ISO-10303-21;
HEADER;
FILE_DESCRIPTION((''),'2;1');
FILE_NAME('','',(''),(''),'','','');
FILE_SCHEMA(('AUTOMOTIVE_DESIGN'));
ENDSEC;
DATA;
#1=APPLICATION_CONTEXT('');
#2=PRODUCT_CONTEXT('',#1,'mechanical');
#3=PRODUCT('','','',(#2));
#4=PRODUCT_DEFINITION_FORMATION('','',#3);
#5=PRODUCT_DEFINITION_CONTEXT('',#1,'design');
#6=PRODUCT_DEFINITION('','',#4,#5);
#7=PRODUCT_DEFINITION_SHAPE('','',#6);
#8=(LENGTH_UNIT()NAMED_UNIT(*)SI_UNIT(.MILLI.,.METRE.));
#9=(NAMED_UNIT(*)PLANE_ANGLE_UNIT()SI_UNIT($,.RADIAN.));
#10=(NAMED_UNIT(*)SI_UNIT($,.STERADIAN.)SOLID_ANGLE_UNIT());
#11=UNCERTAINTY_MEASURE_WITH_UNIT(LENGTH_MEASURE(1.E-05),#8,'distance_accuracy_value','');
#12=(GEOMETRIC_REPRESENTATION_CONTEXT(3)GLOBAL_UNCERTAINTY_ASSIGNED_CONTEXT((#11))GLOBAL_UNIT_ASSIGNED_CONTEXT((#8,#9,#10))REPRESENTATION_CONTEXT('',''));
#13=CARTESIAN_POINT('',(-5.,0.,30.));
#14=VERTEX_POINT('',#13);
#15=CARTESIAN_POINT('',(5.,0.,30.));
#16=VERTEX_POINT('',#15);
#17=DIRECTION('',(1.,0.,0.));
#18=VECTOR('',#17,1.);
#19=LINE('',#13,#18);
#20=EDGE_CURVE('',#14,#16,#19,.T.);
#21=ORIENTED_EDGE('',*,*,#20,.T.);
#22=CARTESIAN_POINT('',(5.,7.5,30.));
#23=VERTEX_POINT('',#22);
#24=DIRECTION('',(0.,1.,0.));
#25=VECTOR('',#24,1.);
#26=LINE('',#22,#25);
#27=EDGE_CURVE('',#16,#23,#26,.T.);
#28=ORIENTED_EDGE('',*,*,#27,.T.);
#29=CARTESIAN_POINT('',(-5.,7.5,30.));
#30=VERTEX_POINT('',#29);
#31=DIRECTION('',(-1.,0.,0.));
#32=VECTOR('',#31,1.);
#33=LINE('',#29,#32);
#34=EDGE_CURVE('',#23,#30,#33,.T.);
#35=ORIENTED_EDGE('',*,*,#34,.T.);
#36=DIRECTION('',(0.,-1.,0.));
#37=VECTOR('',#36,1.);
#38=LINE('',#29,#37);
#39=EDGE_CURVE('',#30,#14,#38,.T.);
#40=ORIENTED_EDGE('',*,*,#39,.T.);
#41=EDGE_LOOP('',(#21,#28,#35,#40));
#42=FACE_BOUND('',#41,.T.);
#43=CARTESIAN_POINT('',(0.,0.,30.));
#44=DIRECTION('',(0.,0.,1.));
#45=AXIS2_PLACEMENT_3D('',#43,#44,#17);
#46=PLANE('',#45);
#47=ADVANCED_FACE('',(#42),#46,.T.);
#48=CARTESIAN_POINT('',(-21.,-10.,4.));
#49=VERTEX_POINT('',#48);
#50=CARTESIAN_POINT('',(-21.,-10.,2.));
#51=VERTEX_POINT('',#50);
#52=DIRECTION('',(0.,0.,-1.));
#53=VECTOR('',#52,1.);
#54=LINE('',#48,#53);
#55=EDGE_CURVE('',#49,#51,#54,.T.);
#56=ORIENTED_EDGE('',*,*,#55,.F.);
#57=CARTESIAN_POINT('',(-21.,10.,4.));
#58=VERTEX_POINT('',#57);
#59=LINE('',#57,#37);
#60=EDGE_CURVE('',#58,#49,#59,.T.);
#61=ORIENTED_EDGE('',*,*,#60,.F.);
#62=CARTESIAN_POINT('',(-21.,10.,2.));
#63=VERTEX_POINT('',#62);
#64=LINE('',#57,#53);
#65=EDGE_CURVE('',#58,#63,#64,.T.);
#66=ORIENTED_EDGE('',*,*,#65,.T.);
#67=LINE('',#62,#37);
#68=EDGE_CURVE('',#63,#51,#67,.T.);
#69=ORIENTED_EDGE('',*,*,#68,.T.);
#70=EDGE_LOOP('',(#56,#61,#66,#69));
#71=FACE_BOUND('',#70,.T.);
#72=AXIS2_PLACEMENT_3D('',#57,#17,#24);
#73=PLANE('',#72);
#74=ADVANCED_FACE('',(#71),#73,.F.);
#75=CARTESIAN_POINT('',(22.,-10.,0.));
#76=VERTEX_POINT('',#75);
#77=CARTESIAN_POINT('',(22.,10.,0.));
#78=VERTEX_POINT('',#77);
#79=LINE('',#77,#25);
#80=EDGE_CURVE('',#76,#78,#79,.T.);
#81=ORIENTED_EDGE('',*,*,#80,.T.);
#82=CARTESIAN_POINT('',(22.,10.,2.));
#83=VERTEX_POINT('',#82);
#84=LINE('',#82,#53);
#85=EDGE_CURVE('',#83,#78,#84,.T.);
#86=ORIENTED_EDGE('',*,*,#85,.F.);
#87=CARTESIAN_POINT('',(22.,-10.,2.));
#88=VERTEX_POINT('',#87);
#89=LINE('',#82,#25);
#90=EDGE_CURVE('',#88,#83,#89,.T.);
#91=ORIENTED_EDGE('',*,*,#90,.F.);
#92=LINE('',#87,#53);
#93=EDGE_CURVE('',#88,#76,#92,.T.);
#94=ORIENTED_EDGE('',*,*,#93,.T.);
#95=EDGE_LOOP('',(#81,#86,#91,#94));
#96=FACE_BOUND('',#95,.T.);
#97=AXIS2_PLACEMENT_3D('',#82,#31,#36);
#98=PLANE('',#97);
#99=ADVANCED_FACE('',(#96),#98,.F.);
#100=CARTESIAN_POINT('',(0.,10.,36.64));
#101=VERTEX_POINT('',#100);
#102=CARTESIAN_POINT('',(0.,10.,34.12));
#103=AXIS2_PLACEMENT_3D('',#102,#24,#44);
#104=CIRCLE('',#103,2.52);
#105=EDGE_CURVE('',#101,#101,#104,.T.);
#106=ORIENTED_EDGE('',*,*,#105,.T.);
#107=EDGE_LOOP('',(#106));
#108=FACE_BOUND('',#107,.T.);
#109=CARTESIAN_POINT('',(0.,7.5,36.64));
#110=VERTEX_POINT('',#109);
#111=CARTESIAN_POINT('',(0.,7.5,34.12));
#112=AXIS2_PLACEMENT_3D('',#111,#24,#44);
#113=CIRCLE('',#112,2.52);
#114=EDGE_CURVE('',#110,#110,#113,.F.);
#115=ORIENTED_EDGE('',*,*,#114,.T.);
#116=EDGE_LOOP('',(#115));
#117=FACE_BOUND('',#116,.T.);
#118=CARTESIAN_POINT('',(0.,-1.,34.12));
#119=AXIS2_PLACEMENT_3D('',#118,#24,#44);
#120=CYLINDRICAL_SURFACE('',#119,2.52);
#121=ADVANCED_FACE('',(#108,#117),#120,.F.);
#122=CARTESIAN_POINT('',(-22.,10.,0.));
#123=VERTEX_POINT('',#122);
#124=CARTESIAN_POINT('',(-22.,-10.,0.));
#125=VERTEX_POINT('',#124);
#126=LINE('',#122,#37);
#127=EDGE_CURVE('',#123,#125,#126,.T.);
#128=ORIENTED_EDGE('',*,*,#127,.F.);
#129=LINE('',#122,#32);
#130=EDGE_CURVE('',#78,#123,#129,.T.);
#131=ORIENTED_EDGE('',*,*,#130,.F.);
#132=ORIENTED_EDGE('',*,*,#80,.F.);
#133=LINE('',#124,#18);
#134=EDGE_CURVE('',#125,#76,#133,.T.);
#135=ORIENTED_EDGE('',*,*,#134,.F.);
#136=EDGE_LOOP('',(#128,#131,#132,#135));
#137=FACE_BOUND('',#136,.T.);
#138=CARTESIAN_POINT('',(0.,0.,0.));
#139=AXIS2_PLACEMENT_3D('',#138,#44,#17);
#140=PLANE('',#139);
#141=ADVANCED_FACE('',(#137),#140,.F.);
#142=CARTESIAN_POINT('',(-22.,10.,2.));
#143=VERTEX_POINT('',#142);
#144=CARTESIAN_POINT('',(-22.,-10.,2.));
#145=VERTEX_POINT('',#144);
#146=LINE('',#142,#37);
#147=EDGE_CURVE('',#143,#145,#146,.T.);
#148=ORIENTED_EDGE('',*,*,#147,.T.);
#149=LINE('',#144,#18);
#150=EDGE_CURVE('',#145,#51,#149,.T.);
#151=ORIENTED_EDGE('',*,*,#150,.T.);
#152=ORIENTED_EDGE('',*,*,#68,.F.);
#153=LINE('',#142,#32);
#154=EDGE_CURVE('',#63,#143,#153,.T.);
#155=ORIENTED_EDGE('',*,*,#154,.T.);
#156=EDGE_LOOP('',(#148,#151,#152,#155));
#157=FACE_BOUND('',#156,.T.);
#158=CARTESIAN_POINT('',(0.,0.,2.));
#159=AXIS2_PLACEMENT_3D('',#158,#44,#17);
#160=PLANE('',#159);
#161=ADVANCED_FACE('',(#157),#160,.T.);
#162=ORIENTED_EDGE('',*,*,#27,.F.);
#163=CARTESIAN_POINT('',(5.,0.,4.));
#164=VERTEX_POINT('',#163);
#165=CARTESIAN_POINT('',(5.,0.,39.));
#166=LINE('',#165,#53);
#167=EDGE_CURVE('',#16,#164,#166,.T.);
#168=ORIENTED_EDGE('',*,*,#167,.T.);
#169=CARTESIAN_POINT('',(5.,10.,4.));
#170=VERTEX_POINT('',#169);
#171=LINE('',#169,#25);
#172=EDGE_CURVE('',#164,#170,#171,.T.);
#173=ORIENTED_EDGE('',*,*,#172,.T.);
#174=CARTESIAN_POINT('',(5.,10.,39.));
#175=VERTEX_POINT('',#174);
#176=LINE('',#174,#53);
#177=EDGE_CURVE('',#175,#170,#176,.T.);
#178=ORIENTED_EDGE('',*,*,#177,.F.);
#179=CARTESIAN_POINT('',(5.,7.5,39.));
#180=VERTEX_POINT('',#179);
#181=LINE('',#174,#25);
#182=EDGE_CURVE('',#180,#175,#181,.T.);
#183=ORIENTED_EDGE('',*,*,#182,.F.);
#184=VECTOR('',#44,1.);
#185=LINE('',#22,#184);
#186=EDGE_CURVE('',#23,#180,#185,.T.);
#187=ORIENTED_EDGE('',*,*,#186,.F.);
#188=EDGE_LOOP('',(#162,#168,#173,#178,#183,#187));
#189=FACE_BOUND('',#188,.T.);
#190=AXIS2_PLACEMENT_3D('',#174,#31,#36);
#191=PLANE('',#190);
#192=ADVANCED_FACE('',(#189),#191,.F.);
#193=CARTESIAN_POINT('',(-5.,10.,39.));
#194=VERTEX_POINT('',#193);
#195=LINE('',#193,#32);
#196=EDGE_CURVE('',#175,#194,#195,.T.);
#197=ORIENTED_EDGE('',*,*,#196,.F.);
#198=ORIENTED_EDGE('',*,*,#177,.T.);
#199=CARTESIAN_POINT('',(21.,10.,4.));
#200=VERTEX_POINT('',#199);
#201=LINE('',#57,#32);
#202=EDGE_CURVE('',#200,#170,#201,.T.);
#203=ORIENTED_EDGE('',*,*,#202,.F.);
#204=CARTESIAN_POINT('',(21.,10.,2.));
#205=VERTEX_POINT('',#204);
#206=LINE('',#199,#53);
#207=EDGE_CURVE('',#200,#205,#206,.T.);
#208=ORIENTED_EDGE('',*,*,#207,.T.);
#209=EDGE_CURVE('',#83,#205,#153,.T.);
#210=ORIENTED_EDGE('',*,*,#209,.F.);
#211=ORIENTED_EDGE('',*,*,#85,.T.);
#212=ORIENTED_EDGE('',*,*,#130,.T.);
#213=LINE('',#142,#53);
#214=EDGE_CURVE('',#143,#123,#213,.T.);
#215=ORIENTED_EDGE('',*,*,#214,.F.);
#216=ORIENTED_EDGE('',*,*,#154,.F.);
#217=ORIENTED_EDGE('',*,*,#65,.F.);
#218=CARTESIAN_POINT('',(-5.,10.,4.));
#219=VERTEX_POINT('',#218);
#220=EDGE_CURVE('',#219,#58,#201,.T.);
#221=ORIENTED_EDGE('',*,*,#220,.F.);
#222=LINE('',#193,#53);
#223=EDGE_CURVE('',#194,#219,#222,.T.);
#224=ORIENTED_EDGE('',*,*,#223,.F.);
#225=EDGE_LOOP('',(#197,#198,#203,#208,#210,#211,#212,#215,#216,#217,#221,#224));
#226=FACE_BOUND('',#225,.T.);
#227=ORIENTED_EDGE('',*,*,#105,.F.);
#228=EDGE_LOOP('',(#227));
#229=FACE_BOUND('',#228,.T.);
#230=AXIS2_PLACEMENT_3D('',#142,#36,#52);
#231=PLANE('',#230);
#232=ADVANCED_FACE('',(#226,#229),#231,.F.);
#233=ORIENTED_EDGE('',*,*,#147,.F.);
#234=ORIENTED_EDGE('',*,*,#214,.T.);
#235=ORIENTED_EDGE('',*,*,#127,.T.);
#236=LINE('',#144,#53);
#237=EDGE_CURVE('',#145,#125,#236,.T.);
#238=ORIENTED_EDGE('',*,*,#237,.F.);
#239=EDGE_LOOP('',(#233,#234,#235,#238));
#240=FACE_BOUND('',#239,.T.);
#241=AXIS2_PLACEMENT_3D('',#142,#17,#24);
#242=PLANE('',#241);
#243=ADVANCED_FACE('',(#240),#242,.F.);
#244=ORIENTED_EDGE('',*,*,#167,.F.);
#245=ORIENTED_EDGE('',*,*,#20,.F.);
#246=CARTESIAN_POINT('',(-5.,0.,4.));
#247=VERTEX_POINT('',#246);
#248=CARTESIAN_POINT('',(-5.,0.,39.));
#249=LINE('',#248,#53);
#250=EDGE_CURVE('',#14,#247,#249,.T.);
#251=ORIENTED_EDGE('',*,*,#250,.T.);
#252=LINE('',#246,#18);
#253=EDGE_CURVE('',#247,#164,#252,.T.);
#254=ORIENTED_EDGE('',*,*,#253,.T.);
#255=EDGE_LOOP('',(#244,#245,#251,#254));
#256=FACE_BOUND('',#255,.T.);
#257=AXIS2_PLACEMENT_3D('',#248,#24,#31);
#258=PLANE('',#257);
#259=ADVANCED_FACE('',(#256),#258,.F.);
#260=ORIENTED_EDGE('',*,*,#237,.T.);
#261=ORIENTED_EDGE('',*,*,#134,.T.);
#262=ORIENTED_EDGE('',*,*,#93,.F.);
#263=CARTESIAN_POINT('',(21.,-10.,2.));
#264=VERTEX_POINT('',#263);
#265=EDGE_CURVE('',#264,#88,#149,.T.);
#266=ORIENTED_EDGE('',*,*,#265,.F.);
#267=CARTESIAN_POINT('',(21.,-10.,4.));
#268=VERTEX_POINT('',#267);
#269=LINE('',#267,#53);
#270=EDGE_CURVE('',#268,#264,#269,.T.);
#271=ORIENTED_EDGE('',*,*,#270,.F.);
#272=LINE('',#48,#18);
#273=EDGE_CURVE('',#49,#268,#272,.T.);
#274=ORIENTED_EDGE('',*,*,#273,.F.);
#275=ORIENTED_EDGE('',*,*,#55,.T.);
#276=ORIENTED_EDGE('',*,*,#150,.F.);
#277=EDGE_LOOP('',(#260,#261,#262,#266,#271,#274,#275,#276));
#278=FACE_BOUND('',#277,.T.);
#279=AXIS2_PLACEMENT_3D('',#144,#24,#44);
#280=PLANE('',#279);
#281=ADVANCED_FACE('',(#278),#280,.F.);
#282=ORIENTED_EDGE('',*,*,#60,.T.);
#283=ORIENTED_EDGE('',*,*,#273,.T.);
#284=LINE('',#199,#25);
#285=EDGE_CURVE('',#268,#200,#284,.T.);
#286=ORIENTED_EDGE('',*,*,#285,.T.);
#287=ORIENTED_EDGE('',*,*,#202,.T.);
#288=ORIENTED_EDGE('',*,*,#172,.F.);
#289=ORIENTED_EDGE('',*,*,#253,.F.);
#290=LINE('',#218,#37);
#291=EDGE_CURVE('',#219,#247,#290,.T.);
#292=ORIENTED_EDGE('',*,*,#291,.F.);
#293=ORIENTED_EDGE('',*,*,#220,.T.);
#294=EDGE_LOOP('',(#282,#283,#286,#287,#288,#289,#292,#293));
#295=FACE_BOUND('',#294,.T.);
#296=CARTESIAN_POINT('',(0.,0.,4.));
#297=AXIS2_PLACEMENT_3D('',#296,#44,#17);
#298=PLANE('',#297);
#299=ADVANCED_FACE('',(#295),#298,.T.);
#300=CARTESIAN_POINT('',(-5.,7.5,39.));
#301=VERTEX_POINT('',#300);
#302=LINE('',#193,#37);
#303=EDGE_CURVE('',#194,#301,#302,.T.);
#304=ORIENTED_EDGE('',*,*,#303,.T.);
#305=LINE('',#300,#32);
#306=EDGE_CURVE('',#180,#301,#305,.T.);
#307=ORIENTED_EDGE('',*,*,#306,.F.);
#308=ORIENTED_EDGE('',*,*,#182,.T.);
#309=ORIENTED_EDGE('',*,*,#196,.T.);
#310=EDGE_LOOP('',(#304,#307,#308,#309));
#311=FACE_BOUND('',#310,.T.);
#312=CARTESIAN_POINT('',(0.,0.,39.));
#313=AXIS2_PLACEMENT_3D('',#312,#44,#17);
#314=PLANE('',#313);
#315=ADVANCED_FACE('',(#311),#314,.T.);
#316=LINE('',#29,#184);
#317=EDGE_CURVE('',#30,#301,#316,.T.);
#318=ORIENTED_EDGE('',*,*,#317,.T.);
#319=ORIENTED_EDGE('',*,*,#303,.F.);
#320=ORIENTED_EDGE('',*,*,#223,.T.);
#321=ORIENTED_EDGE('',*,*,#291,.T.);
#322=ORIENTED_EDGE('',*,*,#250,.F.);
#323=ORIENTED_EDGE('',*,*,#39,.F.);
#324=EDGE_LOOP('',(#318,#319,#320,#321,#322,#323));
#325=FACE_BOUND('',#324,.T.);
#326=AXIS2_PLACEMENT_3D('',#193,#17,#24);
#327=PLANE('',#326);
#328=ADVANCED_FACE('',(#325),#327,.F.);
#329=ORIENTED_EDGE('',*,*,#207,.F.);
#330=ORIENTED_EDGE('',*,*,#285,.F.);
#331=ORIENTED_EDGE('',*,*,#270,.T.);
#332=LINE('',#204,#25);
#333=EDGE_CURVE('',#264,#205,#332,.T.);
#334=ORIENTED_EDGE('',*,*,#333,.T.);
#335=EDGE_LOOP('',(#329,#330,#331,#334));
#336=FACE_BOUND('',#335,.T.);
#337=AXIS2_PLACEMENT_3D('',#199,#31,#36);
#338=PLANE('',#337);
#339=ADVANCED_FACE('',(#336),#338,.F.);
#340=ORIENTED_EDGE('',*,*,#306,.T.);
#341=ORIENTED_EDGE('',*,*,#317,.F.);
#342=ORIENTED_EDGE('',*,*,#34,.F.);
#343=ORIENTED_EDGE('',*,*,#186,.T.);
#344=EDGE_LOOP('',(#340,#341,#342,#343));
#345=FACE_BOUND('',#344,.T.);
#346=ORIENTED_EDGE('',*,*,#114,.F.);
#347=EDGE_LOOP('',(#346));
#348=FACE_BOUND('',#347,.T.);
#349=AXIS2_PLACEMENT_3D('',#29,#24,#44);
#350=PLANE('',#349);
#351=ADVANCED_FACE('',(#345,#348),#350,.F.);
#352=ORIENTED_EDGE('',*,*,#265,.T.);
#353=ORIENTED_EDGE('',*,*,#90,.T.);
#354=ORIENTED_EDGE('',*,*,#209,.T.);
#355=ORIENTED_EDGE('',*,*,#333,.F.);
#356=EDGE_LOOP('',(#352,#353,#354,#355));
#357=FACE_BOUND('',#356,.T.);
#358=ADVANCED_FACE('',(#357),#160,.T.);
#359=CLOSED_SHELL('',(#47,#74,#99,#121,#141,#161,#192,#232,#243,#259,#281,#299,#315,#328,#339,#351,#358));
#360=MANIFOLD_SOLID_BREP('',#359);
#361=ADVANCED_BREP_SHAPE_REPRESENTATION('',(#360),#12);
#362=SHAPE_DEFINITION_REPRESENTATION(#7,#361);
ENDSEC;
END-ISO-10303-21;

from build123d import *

# Parameters (mm, degrees)
IZIM1_W                     = 44
IZIM1_H                     = 20
Y_KSEKLIK_EKSTR_ZYON1_DEPTH = 2
IZIM2_W                     = 42
IZIM2_H                     = 20
Y_KSEKLIK_EKSTR_ZYON2_DEPTH = 2
IZIM3_W                     = 10
IZIM3_H                     = 10
Y_KSEKLIK_EKSTR_ZYON3_DEPTH = 35
IZIM4_R                     = 2.52
KES_EKSTR_ZYON1_DEPTH       = 11
IZIM5_W                     = 10
IZIM5_H                     = 7.5
KES_EKSTR_ZYON2_DEPTH       = 9


with BuildPart() as part:
    # Çizim1 → Yükseklik-Ekstrüzyon1 (new body)
    with BuildSketch(Plane.XY):
        Rectangle(IZIM1_W, IZIM1_H)
    extrude(amount=Y_KSEKLIK_EKSTR_ZYON1_DEPTH)

    # Çizim2 → Yükseklik-Ekstrüzyon2 (add)
    with BuildSketch(Plane.XY.offset(2)):
        Rectangle(IZIM2_W, IZIM2_H)
    extrude(amount=Y_KSEKLIK_EKSTR_ZYON2_DEPTH)

    # Çizim3 → Yükseklik-Ekstrüzyon3 (add)
    with BuildSketch(Plane.XY.offset(4)):
        with Locations((0, 5)):
            Rectangle(IZIM3_W, IZIM3_H)
    extrude(amount=Y_KSEKLIK_EKSTR_ZYON3_DEPTH)

    # Çizim4 → Kes-Ekstrüzyon1 (cut)
    with BuildSketch(Plane(origin=(0, 10, 0), x_dir=(1, 0, 0), z_dir=(0, 1, 0))):
        with Locations(Location((0, -34.12, 0), (0, 0, 270))):
            Circle(IZIM4_R)
    extrude(amount=-KES_EKSTR_ZYON1_DEPTH, mode=Mode.SUBTRACT)

    # Çizim5 → Kes-Ekstrüzyon2 (cut)
    with BuildSketch(Plane.XY.offset(39)):
        with Locations((0, 3.75)):
            Rectangle(IZIM5_W, IZIM5_H)
    extrude(amount=-KES_EKSTR_ZYON2_DEPTH, mode=Mode.SUBTRACT)


solid = part.part
